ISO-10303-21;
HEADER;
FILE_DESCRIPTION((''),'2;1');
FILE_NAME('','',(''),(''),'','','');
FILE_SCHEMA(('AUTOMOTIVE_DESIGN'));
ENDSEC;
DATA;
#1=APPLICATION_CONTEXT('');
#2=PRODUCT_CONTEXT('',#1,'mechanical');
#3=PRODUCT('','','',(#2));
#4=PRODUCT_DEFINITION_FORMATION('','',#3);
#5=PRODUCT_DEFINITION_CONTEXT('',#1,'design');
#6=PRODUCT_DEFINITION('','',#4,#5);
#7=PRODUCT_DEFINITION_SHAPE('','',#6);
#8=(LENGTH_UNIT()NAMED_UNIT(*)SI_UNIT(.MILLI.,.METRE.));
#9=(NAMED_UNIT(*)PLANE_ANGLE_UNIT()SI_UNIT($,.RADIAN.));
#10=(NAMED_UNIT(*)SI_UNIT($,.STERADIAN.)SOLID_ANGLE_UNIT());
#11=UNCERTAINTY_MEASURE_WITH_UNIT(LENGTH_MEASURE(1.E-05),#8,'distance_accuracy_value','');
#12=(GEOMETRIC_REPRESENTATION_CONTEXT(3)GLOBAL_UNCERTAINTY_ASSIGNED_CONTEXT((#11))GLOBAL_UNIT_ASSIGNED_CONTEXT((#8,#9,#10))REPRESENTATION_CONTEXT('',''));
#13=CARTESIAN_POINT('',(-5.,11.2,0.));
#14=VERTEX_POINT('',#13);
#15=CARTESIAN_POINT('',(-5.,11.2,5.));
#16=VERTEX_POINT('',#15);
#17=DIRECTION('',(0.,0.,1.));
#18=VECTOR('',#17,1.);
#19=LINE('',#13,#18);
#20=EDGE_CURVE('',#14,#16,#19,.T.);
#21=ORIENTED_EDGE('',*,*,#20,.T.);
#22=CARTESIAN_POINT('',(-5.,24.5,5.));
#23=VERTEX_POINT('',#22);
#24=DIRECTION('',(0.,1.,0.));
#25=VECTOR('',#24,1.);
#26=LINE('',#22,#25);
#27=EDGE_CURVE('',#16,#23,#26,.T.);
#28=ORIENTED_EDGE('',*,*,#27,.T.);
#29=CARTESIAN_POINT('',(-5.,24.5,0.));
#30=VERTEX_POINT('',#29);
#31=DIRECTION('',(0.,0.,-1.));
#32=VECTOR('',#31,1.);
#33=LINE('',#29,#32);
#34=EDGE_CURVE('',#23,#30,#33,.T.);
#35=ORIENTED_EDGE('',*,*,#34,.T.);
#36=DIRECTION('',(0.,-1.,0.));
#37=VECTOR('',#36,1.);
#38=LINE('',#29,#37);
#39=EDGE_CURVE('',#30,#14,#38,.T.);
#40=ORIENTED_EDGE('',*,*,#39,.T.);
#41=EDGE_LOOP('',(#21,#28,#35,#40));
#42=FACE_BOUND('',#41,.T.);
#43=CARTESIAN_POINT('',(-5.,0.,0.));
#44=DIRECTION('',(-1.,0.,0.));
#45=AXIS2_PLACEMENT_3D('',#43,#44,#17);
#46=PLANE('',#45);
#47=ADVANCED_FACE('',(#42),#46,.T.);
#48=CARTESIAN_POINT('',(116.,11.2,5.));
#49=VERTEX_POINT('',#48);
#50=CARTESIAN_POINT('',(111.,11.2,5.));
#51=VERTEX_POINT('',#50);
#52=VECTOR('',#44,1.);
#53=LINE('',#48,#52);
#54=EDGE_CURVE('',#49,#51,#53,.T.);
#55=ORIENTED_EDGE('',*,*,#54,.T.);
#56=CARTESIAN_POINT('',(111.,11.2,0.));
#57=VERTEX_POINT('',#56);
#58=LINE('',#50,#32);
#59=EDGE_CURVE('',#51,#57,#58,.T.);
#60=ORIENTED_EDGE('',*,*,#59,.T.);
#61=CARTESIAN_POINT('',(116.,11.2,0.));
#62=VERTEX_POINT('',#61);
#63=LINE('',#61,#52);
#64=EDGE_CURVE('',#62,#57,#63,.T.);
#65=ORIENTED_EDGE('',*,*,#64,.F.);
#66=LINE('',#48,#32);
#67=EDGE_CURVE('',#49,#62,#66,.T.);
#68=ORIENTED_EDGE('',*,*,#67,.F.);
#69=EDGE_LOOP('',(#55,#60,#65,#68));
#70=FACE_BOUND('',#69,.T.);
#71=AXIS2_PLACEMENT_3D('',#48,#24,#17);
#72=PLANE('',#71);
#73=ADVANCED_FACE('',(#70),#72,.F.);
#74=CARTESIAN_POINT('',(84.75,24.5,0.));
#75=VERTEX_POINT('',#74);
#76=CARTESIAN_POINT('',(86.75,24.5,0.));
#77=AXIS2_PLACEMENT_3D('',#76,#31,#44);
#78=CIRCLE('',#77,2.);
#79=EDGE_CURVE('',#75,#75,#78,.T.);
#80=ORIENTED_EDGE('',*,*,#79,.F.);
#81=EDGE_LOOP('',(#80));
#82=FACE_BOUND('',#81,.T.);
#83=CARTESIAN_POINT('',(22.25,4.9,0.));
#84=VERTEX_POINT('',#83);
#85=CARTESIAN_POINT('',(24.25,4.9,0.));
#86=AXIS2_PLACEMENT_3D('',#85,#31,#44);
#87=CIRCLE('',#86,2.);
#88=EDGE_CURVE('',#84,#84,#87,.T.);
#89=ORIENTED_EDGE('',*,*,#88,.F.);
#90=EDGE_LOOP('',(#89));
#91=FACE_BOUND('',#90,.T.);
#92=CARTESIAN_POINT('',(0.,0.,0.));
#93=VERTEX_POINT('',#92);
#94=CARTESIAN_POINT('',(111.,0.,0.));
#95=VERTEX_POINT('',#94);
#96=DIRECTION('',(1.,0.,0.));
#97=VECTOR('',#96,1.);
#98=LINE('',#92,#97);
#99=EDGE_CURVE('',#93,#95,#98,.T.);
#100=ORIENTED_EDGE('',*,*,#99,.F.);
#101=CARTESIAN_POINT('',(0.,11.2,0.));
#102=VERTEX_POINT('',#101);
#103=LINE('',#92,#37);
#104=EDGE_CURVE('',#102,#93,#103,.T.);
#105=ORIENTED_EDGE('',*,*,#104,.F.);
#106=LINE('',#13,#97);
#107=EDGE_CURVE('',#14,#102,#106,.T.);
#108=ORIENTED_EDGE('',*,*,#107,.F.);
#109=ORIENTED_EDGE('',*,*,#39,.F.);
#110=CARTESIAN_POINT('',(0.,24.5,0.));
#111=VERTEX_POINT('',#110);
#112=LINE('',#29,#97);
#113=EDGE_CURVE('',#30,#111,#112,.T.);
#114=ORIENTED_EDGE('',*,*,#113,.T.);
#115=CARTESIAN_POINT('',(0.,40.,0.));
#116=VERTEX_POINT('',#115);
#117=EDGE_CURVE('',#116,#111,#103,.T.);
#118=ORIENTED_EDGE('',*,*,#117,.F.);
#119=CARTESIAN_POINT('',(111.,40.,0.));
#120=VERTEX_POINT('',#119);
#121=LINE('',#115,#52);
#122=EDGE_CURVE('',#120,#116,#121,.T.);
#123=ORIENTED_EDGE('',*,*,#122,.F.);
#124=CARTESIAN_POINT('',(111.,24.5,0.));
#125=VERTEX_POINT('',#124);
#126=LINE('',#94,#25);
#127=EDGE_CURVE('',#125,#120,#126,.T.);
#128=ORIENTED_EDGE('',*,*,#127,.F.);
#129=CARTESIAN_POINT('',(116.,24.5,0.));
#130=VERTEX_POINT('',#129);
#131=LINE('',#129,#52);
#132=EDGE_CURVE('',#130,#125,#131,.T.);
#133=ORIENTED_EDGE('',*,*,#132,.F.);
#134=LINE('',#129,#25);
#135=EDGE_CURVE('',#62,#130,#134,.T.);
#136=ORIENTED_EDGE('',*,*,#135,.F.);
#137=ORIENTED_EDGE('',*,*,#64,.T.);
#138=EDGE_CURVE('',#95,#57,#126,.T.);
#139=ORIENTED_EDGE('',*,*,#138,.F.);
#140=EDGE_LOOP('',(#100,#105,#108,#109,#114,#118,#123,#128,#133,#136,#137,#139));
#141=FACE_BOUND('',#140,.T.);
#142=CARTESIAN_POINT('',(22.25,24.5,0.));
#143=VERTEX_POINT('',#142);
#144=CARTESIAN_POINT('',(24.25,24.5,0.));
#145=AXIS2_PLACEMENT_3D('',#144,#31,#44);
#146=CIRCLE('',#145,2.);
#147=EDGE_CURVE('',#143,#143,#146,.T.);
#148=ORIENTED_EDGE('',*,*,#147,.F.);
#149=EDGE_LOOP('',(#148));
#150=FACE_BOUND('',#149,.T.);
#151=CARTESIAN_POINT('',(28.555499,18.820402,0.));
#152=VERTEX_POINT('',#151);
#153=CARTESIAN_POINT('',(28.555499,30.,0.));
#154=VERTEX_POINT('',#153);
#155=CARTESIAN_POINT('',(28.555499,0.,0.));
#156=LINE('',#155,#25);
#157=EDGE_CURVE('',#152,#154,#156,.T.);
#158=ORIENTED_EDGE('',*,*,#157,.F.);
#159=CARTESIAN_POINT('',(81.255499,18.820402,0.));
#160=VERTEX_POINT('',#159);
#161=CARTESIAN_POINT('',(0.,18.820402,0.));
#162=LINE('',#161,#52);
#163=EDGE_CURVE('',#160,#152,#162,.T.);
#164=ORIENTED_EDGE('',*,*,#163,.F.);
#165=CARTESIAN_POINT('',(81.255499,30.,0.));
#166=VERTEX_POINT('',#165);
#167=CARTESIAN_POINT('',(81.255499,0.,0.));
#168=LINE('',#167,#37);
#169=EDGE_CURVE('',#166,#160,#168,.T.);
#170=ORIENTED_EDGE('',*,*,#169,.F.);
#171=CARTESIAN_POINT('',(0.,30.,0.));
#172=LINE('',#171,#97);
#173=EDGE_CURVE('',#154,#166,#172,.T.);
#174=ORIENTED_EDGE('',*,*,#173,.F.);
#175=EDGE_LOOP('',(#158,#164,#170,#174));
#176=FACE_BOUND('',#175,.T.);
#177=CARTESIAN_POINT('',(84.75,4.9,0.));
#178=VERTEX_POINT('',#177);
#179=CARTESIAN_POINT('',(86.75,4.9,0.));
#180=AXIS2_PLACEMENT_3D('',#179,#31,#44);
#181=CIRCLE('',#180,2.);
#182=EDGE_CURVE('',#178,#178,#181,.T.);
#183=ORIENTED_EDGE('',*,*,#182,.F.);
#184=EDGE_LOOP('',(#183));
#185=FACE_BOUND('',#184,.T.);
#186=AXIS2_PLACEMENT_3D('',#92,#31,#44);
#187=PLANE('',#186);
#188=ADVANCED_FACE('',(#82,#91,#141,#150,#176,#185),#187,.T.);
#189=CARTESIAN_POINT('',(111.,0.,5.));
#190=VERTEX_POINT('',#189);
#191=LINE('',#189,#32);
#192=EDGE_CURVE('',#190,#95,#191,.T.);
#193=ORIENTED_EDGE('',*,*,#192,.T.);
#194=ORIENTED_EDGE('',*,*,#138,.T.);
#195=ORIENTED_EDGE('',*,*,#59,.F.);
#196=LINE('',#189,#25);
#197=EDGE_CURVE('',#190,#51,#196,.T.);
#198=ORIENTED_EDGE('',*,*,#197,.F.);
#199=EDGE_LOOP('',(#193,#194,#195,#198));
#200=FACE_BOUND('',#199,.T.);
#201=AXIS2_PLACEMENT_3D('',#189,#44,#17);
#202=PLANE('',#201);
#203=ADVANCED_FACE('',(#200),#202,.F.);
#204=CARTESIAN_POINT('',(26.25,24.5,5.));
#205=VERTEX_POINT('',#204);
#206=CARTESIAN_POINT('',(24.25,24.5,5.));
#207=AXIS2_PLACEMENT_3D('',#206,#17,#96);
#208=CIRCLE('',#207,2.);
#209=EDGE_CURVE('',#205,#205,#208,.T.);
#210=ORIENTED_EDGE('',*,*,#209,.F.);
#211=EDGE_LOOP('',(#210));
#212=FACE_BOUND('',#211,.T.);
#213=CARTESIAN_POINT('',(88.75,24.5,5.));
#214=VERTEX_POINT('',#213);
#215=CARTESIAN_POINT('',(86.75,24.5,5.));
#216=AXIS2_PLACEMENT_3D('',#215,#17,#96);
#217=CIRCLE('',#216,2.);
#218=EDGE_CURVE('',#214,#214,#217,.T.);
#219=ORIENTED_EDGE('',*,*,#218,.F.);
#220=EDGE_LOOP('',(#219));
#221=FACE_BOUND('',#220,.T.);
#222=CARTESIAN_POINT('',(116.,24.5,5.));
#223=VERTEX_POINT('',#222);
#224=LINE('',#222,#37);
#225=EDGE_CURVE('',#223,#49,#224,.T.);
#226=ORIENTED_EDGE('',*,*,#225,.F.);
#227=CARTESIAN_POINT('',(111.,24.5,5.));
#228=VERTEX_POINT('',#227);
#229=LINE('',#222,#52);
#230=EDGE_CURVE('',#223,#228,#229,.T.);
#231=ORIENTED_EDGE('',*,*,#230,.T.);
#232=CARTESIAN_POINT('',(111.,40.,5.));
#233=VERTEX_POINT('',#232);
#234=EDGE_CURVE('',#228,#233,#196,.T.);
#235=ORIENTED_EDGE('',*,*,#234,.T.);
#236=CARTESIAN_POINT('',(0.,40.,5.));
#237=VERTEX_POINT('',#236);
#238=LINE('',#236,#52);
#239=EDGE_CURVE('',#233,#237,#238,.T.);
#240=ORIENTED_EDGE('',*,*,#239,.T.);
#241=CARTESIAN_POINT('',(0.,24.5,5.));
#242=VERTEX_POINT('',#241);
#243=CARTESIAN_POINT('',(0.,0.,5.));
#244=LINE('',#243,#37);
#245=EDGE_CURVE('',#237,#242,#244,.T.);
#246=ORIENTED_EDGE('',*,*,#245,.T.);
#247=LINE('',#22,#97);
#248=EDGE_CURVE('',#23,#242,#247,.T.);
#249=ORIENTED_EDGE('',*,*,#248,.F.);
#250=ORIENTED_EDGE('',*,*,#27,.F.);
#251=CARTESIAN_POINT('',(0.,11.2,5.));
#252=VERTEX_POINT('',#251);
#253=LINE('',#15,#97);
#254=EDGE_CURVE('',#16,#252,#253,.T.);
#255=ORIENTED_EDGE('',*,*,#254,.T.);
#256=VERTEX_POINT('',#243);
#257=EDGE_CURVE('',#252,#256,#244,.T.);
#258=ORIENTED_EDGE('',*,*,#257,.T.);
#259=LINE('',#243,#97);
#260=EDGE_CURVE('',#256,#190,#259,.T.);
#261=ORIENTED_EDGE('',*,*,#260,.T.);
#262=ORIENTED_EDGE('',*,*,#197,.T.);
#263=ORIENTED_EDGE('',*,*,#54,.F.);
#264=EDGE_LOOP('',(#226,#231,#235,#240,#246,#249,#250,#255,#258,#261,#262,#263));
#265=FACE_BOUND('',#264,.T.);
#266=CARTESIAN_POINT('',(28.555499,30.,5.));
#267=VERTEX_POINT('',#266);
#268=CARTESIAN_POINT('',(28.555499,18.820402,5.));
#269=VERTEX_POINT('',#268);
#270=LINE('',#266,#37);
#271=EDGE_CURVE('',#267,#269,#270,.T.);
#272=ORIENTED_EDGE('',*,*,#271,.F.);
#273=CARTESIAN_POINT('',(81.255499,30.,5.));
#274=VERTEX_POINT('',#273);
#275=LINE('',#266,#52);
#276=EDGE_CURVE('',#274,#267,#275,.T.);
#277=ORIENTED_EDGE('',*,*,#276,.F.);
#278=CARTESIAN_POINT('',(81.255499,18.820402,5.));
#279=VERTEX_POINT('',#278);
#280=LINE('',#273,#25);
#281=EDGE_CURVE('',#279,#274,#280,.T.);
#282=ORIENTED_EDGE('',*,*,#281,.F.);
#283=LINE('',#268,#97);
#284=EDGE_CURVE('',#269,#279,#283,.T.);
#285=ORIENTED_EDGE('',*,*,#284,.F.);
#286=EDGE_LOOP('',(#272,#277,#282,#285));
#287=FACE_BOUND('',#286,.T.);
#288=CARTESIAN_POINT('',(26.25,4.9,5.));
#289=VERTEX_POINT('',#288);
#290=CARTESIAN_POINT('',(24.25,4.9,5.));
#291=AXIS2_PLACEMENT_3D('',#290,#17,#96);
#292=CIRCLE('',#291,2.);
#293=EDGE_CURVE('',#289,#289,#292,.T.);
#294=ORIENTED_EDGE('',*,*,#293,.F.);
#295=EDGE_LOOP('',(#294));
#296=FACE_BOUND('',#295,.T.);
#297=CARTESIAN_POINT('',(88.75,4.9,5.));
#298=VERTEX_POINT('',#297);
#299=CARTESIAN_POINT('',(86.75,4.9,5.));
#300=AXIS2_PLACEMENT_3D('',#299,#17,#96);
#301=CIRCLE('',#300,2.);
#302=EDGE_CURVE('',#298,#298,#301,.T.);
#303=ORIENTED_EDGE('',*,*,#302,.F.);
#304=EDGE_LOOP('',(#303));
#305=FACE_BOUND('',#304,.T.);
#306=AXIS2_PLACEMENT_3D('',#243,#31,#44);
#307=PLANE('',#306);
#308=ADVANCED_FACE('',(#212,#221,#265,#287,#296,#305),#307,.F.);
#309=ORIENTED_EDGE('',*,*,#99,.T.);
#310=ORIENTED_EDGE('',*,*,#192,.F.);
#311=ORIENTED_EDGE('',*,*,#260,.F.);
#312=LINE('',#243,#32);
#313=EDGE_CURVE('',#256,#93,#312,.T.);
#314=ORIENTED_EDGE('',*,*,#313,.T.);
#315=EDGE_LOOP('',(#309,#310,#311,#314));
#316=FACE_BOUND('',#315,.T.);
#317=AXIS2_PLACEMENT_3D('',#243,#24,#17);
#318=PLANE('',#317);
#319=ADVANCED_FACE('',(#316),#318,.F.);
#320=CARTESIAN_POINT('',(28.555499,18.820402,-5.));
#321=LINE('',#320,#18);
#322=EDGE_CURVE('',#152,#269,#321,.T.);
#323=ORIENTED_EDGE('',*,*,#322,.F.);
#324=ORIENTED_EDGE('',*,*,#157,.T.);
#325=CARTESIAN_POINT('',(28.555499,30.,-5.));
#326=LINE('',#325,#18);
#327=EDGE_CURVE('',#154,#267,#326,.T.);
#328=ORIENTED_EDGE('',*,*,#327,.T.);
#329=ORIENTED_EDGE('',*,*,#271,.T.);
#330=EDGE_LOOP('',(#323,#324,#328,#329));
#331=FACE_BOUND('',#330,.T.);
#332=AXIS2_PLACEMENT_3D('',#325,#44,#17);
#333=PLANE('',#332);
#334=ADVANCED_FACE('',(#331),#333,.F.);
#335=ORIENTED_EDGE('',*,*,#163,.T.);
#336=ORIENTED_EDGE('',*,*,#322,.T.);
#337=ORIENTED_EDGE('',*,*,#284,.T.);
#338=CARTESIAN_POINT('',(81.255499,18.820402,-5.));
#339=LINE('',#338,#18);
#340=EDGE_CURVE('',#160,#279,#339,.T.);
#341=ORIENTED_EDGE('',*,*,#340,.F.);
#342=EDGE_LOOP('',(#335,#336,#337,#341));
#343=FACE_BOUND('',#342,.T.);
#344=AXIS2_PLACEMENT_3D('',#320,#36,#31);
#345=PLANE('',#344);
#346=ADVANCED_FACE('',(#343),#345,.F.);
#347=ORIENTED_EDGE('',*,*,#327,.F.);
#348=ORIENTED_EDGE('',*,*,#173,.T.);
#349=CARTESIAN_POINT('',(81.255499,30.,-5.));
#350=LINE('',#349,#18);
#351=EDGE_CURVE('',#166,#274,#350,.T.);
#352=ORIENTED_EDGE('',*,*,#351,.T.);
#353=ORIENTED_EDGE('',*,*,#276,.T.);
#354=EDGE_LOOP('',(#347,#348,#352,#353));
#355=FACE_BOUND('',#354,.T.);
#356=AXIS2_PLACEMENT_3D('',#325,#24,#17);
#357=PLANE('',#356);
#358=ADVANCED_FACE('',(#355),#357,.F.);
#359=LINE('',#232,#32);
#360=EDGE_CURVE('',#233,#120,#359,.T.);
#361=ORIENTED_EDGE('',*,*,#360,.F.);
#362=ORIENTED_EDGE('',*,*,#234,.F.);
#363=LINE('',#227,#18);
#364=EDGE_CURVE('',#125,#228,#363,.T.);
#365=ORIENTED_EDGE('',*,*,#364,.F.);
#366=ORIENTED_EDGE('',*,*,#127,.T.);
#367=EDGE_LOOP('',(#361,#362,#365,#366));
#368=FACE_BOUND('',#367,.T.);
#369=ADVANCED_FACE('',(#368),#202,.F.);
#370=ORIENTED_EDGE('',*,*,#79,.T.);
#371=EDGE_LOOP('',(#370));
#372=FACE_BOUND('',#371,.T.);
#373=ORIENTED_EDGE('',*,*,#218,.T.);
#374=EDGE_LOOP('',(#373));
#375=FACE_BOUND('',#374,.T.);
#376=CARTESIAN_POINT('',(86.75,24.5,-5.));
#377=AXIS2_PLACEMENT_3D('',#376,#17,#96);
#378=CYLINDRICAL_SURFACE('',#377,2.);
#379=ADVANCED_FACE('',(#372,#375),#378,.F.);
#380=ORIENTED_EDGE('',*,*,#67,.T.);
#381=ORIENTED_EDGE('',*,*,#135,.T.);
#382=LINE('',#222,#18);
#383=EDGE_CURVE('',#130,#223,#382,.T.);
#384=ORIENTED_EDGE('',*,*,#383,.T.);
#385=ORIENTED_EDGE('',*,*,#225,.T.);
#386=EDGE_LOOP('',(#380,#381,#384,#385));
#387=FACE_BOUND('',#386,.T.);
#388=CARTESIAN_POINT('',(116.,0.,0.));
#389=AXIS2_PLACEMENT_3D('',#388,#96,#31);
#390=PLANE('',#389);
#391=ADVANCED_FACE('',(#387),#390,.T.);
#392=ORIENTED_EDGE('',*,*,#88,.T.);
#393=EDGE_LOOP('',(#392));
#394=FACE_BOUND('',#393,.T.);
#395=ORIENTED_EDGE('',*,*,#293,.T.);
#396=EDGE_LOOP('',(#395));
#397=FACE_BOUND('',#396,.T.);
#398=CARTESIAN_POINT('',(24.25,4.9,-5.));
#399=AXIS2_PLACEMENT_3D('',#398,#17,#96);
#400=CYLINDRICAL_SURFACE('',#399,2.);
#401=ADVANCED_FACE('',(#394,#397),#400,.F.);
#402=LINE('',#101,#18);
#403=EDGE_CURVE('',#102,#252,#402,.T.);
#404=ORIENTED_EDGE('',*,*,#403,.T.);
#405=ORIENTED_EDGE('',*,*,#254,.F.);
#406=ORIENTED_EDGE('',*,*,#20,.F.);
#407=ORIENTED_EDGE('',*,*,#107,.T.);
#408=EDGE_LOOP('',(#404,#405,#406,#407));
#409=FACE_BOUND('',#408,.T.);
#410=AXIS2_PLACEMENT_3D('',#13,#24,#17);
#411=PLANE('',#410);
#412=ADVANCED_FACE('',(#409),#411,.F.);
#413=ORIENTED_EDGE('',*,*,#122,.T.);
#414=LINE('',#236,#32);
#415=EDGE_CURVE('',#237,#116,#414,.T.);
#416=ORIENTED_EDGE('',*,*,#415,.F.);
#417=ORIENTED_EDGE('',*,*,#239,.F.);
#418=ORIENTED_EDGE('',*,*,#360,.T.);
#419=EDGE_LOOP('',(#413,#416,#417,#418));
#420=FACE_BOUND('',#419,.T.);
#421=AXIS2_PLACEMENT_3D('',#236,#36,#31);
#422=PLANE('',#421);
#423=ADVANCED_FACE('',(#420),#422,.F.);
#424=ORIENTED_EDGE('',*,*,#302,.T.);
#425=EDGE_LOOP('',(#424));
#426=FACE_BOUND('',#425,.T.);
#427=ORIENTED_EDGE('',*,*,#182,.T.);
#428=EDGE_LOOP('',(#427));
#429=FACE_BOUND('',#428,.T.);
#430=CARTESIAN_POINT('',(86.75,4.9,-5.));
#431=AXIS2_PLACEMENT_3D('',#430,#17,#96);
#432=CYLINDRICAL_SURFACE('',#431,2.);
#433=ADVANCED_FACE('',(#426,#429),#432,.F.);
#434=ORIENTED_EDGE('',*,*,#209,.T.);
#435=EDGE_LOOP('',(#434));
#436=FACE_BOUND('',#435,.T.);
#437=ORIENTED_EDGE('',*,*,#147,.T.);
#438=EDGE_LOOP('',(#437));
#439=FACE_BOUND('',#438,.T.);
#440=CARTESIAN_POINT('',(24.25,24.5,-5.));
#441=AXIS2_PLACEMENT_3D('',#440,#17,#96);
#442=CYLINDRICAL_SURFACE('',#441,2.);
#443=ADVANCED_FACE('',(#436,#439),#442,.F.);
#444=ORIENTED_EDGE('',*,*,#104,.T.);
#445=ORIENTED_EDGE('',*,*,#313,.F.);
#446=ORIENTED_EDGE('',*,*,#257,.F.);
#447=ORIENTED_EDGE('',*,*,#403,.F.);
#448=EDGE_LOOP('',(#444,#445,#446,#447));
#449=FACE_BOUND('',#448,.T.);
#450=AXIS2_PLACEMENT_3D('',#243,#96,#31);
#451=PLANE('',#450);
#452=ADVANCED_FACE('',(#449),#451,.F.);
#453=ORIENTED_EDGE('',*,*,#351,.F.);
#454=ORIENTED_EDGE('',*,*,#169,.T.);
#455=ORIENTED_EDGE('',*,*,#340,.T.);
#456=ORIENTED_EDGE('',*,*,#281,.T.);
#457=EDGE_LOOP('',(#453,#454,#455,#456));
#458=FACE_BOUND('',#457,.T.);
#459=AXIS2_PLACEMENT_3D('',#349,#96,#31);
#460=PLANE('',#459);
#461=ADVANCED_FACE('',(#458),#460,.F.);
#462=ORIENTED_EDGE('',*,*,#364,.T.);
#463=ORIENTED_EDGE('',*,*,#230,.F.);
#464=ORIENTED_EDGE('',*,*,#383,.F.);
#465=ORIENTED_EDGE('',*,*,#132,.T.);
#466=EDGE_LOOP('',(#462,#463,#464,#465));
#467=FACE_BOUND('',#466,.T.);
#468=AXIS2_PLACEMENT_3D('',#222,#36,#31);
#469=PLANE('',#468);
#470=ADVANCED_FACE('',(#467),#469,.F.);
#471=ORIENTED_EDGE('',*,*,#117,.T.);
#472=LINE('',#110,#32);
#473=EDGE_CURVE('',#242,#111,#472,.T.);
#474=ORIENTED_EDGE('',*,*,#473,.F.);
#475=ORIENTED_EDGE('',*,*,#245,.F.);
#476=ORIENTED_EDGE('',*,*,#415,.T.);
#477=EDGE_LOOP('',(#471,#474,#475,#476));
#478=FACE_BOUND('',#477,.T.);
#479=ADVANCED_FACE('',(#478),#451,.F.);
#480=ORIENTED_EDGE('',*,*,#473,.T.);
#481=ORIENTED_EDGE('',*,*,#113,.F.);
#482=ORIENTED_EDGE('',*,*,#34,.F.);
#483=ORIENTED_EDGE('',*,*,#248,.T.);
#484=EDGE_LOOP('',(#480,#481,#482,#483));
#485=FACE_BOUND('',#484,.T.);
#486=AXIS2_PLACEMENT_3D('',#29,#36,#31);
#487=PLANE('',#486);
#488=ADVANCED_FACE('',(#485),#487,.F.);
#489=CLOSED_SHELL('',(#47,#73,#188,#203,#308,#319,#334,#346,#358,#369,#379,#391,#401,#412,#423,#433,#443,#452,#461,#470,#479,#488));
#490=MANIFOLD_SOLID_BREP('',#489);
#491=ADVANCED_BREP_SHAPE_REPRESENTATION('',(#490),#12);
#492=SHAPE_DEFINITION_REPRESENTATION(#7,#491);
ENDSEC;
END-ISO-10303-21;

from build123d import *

# Parameters (mm, degrees)
CROQUIS1_W              = 111
CROQUIS1_H              = 40
SALIENTE_EXTRUIR1_DEPTH = 5
CROQUIS2_R              = 2
CROQUIS2_W              = 52.7
CROQUIS2_H              = 11.179597985
CORTAR_EXTRUIR1_DEPTH   = 10
CROQUIS3_W              = 5
CROQUIS3_H              = 13.3
SALIENTE_EXTRUIR2_DEPTH = 5
CROQUIS4_W              = 5
CROQUIS4_H              = 13.3
SALIENTE_EXTRUIR3_DEPTH = 5


with BuildPart() as part:
    # Croquis1 → Saliente-Extruir1 (new body)
    with BuildSketch(Plane.XY):
        with Locations((55.5, 20)):
            Rectangle(CROQUIS1_W, CROQUIS1_H)
    extrude(amount=SALIENTE_EXTRUIR1_DEPTH)

    # Croquis2 → Cortar-Extruir1 (cut)
    with BuildSketch(Plane.XY.offset(5)):
        with Locations((24.25, 24.5)):
            Circle(CROQUIS2_R)
        with Locations((86.75, 24.5)):
            Circle(CROQUIS2_R)
        with Locations((24.25, 4.9)):
            Circle(CROQUIS2_R)
        with Locations((86.75, 4.9)):
            Circle(CROQUIS2_R)
        with Locations((54.905498666, 24.410201008)):
            Rectangle(CROQUIS2_W, CROQUIS2_H)
    extrude(amount=-CORTAR_EXTRUIR1_DEPTH, mode=Mode.SUBTRACT)

    # Croquis3 → Saliente-Extruir2 (add)
    with BuildSketch(Plane.ZY):
        with Locations((2.5, 17.85)):
            Rectangle(CROQUIS3_W, CROQUIS3_H)
    extrude(amount=SALIENTE_EXTRUIR2_DEPTH)

    # Croquis4 → Saliente-Extruir3 (add)
    with BuildSketch(Plane(origin=(111, 0, 0), x_dir=(0, 0, -1), z_dir=(1, 0, 0))):
        with Locations((-2.5, 17.85)):
            Rectangle(CROQUIS4_W, CROQUIS4_H)
    extrude(amount=SALIENTE_EXTRUIR3_DEPTH)


solid = part.part
